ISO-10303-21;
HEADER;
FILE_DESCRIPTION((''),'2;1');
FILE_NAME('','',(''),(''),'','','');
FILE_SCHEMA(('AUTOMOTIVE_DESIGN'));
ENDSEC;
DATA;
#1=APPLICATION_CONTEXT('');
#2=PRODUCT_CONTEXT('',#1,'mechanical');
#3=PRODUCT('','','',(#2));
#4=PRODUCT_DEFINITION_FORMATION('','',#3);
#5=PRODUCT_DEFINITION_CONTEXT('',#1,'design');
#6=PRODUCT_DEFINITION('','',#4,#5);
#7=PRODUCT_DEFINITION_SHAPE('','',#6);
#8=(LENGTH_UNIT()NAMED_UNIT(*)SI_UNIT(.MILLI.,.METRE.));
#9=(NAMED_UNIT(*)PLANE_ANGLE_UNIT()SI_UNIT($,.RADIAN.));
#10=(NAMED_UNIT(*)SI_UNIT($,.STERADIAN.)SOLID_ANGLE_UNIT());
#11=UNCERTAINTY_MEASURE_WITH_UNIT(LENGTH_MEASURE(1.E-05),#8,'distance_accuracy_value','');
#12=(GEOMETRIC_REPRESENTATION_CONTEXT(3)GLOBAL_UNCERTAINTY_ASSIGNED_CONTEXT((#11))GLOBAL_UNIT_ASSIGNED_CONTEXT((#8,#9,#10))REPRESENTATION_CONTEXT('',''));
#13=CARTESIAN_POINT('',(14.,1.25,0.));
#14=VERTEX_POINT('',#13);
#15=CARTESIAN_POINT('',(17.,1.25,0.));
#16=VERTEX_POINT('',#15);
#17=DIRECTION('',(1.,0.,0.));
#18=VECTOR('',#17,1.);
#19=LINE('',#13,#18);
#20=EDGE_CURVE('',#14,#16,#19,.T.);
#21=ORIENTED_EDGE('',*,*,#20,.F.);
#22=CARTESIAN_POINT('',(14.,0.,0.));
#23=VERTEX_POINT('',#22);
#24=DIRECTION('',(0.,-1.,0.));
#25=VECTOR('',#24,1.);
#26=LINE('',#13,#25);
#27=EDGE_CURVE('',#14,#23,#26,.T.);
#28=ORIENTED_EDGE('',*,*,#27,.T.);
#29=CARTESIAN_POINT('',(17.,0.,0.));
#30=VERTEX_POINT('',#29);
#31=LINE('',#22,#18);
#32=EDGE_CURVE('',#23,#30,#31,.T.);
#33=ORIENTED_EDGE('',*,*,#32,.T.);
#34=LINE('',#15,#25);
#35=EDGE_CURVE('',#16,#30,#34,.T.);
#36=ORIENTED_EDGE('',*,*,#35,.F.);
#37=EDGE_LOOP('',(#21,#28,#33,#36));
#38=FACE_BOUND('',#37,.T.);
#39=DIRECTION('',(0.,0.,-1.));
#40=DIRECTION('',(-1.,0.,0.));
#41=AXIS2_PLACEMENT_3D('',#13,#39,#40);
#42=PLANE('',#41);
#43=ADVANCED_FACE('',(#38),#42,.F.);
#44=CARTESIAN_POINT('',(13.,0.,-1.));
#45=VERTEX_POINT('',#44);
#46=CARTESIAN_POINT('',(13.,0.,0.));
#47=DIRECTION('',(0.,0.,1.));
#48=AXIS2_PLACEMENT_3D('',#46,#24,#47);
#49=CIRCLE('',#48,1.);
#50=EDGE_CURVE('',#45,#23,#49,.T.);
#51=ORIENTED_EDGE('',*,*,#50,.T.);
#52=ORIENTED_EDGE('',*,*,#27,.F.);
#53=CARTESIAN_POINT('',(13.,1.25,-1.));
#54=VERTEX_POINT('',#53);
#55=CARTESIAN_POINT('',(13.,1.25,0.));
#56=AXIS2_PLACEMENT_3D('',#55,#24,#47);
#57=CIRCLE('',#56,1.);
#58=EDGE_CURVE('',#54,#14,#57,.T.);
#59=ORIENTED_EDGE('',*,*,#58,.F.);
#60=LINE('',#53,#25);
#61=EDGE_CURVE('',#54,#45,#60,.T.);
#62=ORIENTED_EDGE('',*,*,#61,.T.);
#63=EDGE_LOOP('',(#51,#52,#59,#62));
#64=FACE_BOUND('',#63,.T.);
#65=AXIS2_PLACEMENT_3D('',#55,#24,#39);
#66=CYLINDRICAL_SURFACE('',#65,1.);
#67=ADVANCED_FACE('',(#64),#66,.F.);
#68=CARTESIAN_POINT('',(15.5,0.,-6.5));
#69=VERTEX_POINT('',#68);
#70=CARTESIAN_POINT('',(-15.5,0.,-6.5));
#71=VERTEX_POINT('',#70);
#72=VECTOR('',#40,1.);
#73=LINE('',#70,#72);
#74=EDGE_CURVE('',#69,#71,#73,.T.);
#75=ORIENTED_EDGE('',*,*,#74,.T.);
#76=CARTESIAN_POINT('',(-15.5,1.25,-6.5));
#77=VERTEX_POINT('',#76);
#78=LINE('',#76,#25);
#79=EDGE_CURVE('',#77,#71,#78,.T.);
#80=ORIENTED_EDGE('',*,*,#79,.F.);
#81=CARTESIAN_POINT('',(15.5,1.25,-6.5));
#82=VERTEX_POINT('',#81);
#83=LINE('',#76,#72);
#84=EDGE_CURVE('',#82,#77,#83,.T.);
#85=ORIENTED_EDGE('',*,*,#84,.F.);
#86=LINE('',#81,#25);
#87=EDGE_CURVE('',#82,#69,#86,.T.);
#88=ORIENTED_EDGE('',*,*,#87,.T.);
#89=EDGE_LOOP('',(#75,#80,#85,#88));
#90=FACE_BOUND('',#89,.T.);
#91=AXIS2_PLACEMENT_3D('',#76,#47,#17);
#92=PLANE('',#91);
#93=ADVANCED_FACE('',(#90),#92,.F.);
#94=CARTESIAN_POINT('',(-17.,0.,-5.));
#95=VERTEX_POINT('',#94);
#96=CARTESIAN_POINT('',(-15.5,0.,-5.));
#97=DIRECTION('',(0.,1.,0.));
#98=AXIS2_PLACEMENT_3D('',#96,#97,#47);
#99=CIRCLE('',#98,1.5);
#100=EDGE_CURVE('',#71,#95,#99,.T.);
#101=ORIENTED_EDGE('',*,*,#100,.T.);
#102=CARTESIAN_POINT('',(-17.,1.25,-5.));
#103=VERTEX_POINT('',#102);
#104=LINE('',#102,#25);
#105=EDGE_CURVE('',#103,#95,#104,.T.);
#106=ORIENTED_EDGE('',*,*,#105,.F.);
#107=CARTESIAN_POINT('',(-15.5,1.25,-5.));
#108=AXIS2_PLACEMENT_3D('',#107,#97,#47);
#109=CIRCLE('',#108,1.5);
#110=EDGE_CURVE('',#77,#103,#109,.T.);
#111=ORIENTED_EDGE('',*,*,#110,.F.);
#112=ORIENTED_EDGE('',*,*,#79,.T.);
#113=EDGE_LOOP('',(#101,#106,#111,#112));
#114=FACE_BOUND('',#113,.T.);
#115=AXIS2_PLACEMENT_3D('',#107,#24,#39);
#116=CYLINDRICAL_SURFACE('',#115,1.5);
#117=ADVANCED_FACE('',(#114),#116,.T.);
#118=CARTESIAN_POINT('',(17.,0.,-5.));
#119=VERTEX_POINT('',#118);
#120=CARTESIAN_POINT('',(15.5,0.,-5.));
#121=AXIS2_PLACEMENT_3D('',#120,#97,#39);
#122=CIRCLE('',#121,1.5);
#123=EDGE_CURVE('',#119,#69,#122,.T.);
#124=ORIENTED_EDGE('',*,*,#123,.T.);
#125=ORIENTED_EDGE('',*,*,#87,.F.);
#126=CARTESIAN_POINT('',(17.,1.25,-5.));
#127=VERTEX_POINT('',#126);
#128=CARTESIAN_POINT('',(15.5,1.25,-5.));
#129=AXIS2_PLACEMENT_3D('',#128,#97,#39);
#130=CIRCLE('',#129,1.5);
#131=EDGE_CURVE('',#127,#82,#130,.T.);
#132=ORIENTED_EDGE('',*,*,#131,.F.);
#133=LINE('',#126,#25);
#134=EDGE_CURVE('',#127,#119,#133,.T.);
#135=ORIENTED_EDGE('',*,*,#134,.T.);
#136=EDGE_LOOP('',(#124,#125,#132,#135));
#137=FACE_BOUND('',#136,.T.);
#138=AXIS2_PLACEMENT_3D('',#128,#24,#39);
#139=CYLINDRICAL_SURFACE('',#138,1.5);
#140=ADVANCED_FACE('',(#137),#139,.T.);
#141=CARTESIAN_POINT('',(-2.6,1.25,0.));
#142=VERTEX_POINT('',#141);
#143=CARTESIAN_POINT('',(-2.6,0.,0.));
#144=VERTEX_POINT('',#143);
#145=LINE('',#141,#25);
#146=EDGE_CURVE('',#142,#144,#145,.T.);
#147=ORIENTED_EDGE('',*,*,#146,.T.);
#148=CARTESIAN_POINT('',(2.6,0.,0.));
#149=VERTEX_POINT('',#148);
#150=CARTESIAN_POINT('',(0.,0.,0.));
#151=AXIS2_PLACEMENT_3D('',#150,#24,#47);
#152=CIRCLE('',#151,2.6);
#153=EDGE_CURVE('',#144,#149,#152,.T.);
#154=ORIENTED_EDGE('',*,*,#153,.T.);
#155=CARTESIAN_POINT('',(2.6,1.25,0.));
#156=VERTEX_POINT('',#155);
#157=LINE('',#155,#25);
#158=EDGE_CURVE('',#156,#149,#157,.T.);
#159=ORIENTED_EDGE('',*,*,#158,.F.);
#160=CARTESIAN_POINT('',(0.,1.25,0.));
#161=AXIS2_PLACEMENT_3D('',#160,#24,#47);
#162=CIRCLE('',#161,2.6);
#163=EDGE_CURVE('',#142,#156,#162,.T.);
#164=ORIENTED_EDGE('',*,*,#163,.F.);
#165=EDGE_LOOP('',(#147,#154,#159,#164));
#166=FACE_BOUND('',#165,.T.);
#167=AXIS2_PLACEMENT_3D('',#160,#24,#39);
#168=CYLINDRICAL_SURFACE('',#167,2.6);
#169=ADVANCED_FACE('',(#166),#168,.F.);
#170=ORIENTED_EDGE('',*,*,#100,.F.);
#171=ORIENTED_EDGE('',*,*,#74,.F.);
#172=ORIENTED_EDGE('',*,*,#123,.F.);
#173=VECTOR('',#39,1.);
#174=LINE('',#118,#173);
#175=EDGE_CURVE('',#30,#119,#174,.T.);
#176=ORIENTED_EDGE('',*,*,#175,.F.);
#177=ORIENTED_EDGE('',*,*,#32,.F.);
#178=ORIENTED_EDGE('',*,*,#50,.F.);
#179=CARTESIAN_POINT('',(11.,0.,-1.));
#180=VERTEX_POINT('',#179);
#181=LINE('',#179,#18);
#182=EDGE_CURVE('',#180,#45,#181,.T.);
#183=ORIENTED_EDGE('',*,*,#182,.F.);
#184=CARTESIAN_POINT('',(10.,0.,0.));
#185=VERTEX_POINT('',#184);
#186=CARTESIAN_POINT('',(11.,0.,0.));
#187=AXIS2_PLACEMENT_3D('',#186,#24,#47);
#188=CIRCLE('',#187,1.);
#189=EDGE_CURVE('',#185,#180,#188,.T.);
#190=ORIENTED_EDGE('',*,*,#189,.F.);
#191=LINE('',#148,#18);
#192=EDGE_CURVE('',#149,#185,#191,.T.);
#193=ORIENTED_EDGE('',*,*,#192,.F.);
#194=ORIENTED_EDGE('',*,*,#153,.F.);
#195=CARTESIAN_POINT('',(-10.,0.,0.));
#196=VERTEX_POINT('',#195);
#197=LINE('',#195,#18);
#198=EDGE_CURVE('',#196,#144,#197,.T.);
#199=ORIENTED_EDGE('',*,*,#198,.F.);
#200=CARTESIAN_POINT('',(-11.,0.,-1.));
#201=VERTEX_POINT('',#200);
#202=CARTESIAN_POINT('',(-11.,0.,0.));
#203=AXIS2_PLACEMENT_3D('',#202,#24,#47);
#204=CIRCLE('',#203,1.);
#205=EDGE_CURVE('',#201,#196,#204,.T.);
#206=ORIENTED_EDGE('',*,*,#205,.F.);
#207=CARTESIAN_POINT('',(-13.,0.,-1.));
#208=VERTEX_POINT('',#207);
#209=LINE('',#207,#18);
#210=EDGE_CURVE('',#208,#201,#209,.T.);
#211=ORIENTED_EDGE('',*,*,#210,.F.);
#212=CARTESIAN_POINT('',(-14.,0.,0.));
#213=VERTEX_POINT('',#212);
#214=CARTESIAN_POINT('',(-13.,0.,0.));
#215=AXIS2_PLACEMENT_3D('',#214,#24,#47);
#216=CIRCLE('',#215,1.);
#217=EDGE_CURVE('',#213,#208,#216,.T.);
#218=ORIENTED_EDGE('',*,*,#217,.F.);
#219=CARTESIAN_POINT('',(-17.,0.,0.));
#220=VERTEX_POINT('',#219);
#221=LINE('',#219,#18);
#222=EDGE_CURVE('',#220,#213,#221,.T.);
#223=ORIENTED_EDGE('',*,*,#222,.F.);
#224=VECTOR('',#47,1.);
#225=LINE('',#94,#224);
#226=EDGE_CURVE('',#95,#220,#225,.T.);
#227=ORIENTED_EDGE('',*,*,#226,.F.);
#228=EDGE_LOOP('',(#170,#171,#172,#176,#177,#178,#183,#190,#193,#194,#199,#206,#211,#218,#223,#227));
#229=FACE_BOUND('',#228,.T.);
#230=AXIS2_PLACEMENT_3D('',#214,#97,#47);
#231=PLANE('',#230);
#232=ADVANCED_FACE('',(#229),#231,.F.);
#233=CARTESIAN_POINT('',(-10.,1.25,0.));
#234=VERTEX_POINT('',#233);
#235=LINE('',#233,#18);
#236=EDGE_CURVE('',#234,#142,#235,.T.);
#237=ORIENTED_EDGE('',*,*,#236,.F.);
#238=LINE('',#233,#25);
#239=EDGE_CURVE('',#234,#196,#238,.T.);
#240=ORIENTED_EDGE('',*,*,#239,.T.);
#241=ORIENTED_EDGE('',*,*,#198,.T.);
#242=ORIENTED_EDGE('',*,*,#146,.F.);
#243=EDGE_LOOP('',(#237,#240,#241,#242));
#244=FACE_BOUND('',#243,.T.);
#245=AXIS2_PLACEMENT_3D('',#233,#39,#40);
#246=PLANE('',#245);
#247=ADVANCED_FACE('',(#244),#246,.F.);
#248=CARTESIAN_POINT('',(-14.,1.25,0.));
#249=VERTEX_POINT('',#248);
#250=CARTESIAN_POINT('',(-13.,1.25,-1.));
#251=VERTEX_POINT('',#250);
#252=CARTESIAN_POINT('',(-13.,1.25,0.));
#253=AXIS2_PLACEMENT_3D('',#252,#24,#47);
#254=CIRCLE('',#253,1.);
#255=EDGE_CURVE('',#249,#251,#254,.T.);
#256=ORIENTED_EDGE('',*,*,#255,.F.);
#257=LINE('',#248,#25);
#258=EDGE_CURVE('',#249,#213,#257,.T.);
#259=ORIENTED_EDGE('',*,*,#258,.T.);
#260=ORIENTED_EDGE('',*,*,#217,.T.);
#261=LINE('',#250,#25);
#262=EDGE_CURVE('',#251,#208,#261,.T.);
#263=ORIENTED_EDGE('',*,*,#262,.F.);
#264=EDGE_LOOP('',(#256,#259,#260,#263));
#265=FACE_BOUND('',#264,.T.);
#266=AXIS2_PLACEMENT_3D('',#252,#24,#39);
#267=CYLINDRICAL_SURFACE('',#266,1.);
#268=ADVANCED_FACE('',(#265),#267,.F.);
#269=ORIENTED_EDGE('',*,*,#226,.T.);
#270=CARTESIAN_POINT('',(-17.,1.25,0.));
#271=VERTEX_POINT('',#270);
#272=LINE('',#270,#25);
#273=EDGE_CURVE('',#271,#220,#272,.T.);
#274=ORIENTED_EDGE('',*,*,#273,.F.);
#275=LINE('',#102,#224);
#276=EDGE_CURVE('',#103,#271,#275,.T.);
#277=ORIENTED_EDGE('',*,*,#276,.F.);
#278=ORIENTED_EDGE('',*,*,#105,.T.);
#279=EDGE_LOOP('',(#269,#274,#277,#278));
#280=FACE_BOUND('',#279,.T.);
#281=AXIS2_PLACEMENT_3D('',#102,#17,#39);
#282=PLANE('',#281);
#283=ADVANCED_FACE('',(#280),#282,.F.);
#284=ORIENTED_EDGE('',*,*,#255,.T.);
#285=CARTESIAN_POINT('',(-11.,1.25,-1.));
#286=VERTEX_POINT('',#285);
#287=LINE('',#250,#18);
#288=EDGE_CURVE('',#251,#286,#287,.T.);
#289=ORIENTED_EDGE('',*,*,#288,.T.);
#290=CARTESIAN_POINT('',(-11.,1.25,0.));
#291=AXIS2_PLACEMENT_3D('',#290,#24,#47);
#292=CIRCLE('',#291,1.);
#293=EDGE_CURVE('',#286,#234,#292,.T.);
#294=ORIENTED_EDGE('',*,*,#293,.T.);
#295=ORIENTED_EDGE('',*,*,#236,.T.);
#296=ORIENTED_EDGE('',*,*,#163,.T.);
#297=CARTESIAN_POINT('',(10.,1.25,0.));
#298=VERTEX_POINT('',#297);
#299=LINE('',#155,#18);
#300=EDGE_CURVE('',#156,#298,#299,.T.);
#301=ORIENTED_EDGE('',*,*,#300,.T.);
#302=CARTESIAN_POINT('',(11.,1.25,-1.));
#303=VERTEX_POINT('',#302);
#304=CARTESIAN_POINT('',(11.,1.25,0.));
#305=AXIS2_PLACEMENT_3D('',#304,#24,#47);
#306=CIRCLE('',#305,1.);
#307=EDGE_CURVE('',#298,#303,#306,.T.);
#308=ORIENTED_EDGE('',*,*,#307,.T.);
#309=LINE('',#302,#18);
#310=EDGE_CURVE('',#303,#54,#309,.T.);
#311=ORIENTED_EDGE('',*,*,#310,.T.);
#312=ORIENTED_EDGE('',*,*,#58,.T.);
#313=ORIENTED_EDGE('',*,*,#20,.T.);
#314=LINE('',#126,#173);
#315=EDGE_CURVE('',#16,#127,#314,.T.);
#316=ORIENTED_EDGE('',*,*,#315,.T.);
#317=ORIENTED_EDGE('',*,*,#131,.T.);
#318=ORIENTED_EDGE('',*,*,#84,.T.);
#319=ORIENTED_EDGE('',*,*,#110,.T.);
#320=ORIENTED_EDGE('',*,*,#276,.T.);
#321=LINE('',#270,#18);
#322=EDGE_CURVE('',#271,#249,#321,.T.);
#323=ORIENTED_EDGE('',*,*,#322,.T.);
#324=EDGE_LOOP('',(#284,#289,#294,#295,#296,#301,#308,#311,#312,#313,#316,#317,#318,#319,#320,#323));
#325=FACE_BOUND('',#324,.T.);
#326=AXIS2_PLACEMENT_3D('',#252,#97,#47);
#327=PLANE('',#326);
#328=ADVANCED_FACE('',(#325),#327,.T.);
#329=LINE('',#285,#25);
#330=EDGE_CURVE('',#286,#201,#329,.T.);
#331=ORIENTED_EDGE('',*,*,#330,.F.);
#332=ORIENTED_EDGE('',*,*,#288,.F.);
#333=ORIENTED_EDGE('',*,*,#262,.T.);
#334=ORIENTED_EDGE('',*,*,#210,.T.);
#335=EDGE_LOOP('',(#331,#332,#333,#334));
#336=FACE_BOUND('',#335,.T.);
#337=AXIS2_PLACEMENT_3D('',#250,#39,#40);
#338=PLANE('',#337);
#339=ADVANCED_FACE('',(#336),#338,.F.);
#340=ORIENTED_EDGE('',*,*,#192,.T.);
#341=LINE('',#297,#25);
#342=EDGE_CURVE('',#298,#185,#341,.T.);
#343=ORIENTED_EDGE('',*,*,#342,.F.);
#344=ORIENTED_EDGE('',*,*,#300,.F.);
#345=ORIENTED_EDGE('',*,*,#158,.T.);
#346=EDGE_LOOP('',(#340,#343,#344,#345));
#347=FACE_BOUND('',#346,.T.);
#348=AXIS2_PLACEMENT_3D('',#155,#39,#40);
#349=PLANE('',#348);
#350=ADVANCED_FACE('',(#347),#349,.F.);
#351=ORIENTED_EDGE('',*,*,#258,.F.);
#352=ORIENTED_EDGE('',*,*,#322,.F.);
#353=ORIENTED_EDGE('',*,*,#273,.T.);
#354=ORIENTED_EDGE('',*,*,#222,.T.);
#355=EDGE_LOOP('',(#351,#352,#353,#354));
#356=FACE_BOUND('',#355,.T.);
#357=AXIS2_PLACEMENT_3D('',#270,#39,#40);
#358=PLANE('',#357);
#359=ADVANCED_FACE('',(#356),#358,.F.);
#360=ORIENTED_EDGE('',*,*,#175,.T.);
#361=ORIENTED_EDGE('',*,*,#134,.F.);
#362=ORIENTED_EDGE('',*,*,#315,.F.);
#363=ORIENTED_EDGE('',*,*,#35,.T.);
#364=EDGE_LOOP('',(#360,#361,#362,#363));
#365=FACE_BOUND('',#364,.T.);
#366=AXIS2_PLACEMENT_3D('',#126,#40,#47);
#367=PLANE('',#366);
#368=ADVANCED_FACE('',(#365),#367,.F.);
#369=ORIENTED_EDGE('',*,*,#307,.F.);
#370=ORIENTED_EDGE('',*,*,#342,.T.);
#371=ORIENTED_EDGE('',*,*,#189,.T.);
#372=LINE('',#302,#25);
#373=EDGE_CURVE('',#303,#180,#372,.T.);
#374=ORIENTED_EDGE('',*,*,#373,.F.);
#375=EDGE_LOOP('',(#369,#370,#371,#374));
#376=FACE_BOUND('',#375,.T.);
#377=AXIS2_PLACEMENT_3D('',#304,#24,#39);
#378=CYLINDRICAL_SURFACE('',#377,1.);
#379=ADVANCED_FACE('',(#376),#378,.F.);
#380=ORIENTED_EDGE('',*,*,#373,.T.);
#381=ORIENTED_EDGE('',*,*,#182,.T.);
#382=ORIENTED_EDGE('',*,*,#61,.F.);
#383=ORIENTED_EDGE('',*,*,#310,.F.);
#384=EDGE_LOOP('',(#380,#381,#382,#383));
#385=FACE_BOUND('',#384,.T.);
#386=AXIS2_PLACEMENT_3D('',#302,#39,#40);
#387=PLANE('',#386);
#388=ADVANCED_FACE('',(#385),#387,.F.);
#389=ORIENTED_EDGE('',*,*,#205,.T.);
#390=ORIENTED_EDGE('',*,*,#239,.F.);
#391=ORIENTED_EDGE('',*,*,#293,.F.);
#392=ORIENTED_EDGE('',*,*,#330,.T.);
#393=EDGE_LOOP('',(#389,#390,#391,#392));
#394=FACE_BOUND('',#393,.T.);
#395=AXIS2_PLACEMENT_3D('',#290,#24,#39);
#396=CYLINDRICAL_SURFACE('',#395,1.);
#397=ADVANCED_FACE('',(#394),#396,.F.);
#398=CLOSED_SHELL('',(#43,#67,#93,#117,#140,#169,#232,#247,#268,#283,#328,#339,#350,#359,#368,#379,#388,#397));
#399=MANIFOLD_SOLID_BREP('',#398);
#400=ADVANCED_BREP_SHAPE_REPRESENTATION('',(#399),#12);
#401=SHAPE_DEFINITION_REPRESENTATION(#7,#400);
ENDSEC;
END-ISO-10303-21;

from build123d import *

# Parameters (mm, degrees)
EXTRUDE_1_DEPTH = 1.25


with BuildPart() as part:
    # 草图2 → 凸台-拉伸1 (new body)
    with BuildSketch(Plane(origin=(0, 0, 0), x_dir=(1, 0, 0), z_dir=(0, 1, 0))):
        with BuildLine():
            Line((-15.5, 6.5), (15.5, 6.5))
            ThreePointArc((15.5, 6.5), (16.560660172, 6.060660172), (17, 5))
            Line((17, 5), (17, 0))
            Line((17, 0), (14, 0))
            ThreePointArc((14, 0), (13.707106781, 0.707106781), (13, 1))
            Line((13, 1), (11, 1))
            ThreePointArc((11, 1), (10.292893219, 0.707106781), (10, 0))
            Line((10, 0), (2.6, 0))
            ThreePointArc((2.6, 0), (0, 2.6), (-2.6, 0))
            Line((-2.6, 0), (-10, 0))
            ThreePointArc((-10, 0), (-10.292893219, 0.707106781), (-11, 1))
            Line((-11, 1), (-13, 1))
            ThreePointArc((-13, 1), (-13.707106781, 0.707106781), (-14, 0))
            Line((-14, 0), (-17, 0))
            Line((-17, 0), (-17, 5))
            ThreePointArc((-17, 5), (-16.560660172, 6.060660172), (-15.5, 6.5))
        make_face()
    extrude(amount=EXTRUDE_1_DEPTH)


solid = part.part
